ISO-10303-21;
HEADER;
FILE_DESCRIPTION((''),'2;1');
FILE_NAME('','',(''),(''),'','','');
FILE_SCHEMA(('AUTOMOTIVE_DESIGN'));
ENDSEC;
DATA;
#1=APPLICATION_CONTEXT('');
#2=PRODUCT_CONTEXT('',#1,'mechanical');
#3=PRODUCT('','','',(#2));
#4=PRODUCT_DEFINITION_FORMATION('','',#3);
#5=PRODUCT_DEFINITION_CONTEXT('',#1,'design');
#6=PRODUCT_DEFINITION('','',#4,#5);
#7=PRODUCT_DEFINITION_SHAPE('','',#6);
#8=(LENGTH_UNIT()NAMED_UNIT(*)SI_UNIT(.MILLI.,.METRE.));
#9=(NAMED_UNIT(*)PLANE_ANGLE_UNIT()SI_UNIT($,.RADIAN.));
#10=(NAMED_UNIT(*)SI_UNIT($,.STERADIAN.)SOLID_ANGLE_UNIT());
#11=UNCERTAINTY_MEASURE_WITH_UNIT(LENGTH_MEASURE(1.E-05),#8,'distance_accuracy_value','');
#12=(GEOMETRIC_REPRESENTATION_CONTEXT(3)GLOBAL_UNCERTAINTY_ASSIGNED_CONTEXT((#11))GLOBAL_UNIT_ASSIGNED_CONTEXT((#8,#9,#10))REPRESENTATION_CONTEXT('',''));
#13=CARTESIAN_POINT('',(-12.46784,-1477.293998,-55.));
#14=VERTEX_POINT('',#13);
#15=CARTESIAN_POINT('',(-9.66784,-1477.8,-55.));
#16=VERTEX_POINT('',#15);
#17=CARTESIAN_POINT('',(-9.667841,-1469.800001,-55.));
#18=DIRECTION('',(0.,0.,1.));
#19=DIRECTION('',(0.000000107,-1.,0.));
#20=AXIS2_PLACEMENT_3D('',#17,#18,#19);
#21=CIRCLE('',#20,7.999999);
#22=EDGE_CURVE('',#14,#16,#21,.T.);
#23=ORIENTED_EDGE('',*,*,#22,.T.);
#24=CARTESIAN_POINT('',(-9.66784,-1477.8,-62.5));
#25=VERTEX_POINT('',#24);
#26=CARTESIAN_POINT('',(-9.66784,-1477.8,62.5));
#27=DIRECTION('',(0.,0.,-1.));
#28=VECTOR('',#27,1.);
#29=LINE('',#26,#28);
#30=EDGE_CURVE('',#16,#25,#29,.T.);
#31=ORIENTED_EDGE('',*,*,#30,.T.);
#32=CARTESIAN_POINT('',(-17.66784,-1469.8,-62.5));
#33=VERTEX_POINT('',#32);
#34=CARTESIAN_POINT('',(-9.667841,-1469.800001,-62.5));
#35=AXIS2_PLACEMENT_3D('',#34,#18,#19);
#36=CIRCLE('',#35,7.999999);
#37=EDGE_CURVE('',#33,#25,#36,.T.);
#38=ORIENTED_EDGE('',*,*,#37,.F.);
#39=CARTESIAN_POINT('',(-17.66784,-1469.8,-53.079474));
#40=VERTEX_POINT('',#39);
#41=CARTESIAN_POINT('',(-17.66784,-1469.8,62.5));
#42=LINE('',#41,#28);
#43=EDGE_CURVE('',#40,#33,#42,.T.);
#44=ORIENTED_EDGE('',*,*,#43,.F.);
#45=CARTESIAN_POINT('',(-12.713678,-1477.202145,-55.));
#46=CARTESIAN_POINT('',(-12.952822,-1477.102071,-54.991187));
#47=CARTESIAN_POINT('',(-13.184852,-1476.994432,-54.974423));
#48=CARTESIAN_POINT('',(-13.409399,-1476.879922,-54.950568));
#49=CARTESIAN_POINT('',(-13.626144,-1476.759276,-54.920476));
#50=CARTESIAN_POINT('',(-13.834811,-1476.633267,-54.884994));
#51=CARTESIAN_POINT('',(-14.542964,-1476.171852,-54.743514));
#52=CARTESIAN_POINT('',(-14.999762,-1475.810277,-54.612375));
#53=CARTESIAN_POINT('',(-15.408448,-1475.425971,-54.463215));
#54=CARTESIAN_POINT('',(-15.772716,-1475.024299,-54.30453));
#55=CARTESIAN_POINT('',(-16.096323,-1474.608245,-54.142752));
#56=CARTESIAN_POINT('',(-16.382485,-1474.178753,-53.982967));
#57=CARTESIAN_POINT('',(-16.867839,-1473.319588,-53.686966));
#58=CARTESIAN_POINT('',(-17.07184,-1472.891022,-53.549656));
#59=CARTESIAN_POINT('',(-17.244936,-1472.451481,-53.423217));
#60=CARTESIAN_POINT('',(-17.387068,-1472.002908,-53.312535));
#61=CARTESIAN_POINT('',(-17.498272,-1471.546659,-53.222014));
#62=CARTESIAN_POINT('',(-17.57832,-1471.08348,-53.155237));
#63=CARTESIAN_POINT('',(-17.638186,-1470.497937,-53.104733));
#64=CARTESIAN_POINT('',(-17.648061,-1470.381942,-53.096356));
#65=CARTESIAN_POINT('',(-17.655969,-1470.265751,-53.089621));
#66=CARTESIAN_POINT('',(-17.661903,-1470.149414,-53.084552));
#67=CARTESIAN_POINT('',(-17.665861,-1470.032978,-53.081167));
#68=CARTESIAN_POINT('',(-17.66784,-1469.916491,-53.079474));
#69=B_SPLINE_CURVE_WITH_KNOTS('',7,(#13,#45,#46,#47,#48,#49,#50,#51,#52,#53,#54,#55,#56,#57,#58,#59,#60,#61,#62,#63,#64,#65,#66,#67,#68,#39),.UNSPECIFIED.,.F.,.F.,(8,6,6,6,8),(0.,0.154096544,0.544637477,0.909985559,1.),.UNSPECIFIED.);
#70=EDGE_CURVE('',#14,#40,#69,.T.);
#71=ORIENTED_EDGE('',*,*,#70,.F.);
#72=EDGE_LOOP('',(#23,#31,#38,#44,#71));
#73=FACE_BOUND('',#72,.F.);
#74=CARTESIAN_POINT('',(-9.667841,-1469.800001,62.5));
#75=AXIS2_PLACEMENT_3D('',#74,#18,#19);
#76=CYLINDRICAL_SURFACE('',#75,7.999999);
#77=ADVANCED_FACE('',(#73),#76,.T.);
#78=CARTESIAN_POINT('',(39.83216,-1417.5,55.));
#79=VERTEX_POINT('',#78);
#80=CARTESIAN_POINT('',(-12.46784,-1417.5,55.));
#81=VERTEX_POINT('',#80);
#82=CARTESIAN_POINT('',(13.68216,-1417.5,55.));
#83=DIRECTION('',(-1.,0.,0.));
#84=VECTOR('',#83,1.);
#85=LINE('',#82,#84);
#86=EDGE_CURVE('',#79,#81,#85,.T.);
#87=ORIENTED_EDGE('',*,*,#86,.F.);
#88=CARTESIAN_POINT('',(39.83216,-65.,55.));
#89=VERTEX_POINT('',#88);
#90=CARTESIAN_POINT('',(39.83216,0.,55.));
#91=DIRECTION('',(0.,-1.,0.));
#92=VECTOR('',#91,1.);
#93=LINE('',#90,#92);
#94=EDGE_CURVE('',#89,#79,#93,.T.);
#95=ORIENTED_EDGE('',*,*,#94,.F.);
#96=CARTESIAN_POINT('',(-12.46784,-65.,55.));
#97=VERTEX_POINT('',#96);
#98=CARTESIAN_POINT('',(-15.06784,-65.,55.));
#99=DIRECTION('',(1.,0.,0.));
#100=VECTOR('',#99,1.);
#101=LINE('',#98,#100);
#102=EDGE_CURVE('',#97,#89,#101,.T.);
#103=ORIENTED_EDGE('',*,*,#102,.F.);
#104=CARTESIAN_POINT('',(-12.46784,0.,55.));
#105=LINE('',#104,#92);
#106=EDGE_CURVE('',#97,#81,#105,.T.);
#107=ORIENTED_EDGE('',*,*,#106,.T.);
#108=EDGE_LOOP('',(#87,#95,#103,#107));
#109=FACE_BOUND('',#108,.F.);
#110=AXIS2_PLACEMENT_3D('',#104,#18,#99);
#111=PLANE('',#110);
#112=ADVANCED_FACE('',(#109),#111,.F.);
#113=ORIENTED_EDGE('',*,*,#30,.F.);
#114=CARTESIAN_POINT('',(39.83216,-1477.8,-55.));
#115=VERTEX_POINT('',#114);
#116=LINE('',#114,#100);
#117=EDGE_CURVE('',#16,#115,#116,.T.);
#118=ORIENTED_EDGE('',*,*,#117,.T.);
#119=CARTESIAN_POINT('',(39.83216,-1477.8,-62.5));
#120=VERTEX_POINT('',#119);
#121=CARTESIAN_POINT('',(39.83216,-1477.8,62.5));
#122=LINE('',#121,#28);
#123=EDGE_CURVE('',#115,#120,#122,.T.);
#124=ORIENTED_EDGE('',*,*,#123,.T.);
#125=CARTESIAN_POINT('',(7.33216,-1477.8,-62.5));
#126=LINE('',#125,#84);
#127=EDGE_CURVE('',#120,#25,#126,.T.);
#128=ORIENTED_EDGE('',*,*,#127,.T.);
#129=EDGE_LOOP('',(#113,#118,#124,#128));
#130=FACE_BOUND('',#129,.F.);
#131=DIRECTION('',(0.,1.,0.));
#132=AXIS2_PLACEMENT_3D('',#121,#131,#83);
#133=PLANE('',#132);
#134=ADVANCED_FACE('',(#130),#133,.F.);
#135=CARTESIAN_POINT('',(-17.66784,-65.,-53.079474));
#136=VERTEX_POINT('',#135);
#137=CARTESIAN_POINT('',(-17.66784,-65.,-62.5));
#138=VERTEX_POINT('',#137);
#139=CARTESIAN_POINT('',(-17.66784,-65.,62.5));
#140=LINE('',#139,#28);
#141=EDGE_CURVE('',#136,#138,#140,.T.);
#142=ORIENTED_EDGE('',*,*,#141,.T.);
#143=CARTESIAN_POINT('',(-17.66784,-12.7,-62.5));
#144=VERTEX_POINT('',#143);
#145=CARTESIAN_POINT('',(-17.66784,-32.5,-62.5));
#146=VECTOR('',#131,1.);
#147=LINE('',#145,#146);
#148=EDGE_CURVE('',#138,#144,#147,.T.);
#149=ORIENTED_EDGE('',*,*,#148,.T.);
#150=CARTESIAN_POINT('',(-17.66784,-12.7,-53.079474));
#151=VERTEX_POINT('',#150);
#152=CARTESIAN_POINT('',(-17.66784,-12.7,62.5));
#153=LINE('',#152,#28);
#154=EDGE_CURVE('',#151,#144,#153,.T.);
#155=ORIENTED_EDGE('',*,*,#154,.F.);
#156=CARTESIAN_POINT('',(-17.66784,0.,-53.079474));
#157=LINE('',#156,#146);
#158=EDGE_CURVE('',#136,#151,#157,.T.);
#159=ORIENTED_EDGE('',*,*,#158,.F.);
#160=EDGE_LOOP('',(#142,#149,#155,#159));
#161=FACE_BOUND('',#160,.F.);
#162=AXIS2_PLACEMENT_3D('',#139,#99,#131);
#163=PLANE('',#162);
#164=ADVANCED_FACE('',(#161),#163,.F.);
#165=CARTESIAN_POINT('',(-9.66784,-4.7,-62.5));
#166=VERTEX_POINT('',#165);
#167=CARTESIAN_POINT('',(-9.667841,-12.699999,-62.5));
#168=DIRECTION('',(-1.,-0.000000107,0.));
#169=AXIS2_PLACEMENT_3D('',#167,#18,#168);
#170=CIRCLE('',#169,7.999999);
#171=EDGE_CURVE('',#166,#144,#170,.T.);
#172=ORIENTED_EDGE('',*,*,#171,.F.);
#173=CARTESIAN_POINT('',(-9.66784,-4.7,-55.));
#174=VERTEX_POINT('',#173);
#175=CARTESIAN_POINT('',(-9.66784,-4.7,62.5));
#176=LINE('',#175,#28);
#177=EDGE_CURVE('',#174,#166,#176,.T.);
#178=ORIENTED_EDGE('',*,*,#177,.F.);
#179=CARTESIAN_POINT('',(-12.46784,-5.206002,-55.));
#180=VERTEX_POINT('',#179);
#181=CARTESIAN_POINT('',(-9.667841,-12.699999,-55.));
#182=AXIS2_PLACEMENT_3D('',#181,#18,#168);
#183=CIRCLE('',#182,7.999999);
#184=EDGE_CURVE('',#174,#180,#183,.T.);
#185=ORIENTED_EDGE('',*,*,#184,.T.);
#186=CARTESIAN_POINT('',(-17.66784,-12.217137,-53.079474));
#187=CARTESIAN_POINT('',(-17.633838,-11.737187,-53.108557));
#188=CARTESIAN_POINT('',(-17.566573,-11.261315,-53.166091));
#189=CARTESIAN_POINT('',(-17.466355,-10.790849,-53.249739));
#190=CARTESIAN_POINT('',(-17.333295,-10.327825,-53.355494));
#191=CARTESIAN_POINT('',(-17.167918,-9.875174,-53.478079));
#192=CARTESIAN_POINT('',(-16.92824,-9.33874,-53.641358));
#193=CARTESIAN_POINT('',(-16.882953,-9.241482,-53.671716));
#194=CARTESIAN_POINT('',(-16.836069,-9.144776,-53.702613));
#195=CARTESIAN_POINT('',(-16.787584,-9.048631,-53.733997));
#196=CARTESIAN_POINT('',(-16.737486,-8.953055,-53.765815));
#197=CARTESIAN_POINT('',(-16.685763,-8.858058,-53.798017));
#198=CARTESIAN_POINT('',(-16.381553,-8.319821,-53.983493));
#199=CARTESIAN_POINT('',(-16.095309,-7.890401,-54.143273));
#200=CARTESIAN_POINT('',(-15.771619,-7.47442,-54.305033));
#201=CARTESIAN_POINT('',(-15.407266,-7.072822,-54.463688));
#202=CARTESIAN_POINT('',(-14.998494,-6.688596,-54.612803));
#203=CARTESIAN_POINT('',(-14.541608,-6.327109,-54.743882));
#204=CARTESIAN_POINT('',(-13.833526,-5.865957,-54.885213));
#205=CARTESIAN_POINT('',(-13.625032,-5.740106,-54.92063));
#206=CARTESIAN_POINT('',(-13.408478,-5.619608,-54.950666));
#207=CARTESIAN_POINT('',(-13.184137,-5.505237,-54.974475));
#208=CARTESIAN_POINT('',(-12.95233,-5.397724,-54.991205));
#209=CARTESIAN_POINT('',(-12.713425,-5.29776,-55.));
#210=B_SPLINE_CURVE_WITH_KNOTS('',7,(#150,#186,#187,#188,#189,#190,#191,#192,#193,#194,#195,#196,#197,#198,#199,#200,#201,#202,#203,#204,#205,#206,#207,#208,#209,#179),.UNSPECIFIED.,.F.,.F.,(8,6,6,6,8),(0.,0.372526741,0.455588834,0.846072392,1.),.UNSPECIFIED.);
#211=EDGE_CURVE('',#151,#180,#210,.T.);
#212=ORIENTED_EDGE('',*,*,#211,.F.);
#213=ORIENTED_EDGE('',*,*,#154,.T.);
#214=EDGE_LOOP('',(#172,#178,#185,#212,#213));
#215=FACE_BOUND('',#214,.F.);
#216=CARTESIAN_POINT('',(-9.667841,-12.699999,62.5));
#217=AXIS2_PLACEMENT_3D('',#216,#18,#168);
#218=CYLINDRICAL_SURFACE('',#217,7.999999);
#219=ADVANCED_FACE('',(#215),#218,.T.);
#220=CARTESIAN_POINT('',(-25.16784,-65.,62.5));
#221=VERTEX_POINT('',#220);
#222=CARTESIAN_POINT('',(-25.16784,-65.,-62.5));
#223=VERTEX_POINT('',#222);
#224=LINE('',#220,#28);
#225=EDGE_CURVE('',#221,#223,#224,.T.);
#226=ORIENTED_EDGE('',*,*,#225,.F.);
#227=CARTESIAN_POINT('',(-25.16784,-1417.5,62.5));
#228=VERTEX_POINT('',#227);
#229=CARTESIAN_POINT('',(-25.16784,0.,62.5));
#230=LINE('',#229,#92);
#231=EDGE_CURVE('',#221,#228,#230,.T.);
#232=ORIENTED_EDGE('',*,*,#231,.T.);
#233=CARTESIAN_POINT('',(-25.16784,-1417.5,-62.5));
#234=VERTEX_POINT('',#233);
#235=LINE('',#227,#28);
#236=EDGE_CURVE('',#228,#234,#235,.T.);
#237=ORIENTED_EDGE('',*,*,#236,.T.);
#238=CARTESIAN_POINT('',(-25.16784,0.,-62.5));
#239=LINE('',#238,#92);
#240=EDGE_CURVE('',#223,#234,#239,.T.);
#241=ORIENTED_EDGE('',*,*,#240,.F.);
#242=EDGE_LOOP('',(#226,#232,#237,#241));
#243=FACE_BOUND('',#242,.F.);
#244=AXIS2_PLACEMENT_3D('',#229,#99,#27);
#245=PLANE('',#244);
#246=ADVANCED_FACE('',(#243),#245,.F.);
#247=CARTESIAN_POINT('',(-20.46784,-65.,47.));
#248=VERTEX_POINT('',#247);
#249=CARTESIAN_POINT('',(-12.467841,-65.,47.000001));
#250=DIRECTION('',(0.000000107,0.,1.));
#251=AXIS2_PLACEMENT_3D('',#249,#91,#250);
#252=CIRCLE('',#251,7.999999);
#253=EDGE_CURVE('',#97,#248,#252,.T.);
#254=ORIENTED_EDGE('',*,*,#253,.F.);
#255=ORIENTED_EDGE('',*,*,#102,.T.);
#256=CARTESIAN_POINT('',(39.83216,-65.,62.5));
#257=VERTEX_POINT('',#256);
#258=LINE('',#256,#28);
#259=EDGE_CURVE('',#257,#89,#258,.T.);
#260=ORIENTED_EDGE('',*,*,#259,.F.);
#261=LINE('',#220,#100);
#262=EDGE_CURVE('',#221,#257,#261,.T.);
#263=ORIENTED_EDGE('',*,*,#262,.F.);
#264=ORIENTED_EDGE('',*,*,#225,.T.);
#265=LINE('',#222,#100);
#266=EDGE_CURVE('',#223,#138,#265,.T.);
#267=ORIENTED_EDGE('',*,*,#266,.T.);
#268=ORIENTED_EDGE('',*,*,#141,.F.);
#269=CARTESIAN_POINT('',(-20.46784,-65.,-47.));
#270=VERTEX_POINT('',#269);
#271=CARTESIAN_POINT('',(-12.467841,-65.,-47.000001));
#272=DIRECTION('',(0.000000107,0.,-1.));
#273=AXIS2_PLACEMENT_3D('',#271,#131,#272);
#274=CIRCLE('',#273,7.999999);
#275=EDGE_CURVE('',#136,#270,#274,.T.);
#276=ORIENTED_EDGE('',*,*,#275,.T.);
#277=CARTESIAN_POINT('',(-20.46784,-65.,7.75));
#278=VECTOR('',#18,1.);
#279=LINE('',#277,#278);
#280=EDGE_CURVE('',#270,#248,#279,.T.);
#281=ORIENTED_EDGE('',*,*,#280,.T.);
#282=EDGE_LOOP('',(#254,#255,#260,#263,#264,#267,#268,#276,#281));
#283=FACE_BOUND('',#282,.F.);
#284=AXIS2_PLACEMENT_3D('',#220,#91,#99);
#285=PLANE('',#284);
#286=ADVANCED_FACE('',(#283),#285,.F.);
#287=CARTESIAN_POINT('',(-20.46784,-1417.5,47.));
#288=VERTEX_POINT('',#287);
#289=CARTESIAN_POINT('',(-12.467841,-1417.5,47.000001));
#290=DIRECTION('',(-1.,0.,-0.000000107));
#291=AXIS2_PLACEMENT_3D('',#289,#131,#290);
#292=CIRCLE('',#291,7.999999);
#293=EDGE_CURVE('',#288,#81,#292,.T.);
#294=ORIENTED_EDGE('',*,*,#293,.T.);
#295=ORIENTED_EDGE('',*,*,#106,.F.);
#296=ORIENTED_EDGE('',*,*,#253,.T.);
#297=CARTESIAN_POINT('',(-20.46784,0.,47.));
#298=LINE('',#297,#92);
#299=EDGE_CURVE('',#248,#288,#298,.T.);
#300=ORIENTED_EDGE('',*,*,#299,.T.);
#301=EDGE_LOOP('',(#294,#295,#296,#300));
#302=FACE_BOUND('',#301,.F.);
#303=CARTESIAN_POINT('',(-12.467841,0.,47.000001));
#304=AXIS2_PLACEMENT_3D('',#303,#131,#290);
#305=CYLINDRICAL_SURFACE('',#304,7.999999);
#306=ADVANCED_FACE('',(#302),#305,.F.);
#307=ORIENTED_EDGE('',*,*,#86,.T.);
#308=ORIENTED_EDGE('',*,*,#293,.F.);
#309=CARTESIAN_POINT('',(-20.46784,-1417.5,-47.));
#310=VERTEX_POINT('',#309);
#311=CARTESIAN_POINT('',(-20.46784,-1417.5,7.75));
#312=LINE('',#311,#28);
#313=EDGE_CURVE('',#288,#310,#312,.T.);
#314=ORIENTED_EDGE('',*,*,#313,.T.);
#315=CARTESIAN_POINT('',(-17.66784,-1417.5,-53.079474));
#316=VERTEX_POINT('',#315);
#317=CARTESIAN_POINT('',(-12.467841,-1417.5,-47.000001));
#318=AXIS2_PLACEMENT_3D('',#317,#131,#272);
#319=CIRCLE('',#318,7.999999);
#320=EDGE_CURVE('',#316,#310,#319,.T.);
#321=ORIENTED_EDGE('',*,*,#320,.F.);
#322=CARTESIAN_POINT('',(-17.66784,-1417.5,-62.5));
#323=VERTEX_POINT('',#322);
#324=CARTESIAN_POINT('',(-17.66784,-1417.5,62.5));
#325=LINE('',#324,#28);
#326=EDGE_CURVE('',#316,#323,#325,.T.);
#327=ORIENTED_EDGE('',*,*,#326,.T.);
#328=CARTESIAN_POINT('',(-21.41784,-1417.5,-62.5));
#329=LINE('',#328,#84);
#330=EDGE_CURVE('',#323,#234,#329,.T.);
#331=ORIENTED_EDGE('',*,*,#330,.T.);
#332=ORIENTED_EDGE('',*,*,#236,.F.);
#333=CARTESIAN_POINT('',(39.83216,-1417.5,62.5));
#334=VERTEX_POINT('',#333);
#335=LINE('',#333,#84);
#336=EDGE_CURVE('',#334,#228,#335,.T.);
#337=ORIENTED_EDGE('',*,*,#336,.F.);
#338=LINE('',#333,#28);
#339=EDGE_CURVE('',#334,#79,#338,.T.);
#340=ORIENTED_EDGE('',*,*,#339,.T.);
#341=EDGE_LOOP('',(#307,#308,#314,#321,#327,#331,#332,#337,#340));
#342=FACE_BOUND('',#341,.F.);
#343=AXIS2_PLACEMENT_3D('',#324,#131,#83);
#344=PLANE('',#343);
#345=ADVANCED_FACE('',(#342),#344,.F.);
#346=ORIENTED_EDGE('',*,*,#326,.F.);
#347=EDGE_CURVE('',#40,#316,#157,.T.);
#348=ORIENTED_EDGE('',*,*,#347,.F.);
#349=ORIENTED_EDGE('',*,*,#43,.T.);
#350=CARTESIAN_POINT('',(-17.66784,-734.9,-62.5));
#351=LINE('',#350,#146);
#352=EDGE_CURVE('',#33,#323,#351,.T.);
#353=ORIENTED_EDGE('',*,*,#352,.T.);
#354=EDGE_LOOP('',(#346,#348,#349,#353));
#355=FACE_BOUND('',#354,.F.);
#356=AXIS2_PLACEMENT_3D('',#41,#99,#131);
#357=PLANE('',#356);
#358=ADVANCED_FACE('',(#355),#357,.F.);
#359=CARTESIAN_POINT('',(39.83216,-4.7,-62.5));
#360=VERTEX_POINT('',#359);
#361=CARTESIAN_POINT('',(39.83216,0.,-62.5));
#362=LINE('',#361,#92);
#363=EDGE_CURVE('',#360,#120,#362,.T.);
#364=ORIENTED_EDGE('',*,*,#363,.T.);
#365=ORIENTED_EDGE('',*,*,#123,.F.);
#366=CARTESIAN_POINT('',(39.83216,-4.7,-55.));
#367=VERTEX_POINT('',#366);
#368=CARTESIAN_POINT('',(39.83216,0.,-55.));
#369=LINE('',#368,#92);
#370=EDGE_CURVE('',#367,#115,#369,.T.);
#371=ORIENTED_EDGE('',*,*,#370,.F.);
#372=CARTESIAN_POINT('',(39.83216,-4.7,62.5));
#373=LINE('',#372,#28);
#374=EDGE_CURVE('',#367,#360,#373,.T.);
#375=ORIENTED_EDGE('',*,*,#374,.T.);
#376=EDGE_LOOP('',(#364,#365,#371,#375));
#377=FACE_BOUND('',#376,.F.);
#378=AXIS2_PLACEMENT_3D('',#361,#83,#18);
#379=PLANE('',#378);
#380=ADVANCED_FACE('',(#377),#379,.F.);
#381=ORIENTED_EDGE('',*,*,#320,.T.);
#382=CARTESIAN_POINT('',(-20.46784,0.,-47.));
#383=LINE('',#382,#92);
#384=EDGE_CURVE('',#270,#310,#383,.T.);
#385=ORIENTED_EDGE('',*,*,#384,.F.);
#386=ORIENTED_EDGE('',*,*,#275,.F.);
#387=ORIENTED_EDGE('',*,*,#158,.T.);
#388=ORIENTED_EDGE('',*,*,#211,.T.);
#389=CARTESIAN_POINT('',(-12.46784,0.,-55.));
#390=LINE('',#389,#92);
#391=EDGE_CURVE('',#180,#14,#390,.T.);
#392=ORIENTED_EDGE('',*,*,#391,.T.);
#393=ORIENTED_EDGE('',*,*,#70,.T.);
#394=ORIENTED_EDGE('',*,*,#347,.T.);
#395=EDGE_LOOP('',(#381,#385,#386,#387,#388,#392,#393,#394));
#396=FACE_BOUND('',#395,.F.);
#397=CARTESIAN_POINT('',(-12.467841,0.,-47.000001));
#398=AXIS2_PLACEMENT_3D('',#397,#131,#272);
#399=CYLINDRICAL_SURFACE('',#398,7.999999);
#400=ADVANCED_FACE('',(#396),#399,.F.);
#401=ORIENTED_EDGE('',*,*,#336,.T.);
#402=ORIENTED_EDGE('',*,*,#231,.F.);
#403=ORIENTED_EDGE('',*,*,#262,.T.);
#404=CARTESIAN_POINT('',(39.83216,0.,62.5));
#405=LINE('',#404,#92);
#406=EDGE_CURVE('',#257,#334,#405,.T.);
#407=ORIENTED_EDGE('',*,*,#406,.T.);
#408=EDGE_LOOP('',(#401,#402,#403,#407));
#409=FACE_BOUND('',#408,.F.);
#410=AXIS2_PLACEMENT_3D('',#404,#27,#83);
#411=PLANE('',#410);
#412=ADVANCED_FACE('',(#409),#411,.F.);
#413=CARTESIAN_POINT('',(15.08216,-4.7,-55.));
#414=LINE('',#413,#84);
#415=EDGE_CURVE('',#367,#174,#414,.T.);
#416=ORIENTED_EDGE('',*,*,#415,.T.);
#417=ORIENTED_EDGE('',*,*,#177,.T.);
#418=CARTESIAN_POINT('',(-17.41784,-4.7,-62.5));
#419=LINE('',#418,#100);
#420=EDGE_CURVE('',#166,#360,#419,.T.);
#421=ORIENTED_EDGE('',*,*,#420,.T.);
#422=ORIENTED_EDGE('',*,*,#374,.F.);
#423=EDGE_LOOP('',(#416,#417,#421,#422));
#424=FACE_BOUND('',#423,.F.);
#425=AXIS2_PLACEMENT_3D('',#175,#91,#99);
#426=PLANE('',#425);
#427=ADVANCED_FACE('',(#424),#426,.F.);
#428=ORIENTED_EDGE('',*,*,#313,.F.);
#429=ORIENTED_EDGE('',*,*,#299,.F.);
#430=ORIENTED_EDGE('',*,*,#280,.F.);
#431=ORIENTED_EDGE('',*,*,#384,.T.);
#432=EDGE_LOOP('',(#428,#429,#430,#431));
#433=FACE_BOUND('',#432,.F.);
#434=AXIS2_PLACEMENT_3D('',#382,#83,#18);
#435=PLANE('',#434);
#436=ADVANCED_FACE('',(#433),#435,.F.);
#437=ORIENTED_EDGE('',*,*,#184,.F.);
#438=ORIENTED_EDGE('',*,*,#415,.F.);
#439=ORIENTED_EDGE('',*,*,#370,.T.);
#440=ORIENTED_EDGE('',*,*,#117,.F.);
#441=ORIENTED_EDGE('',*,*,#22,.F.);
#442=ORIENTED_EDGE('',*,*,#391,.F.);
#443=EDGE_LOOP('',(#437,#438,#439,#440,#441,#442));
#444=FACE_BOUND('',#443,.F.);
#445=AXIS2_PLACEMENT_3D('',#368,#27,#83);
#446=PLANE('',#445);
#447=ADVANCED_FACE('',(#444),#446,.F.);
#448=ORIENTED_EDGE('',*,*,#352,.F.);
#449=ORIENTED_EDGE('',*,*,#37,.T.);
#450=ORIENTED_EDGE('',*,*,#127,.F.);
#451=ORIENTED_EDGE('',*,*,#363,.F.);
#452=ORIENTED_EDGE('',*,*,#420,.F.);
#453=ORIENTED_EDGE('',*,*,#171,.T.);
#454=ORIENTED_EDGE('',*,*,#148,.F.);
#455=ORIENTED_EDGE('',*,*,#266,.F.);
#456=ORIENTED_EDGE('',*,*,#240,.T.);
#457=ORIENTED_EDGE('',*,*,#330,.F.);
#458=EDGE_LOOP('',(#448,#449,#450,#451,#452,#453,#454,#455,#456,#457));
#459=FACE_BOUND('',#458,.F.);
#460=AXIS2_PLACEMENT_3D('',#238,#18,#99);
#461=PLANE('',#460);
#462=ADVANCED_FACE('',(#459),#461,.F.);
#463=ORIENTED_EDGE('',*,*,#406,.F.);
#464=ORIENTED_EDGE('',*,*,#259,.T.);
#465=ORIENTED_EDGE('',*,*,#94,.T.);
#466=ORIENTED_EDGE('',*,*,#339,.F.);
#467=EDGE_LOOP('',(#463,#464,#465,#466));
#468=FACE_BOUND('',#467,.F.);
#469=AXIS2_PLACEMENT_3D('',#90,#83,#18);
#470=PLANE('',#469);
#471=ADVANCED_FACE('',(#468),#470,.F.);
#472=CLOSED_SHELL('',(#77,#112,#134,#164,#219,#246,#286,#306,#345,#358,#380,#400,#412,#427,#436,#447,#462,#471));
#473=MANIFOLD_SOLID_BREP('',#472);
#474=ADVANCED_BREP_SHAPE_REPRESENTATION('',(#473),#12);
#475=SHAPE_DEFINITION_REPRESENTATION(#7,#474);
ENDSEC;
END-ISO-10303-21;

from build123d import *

# Parameters (mm, degrees)
F1_DEPTH = 1482.5
F3_DEPTH = 125.001
F5_DEPTH = 10


with BuildPart() as f1:
    # F0 (on Front) → F1 (new body)
    with BuildSketch(Plane.XZ):
        with BuildLine():
            Line((-25.16784, 62.5), (-25.16784, -62.5))
            Line((-25.16784, -62.5), (39.83216, -62.5))
            Line((39.83216, -62.5), (39.83216, -55))
            Line((39.83216, -55), (-12.46784, -55))
            ThreePointArc((-12.46784, -55), (-18.124695, -52.656854), (-20.46784, -47))
            Line((-20.46784, -47), (-20.46784, 47))
            ThreePointArc((-20.46784, 47), (-18.124695, 52.656854), (-12.46784, 55))
            Line((-12.46784, 55), (39.83216, 55))
            Line((39.83216, 55), (39.83216, 62.5))
            Line((39.83216, 62.5), (-25.16784, 62.5))
        make_face()
    extrude(amount=F1_DEPTH)

    # F2 (on face) → F3 (cut, through all)
    with BuildSketch(Plane.XY.offset(62.5)):
        with BuildLine():
            Line((39.83216, 0), (-25.16784, 0))
            Line((-25.16784, 0), (-25.16784, -65))
            Line((-25.16784, -65), (-17.66784, -65))
            Line((-17.66784, -65), (-17.66784, -12.7))
            ThreePointArc((-17.66784, -12.7), (-15.324695, -7.043146), (-9.66784, -4.7))
            Line((-9.66784, -4.7), (39.83216, -4.7))
            Line((39.83216, -4.7), (39.83216, 0))
        make_face()
        with BuildLine():
            Line((-17.66784, -1417.5), (-25.16784, -1417.5))
            Line((-25.16784, -1417.5), (-25.16784, -1482.5))
            Line((-25.16784, -1482.5), (39.83216, -1482.5))
            Line((39.83216, -1482.5), (39.83216, -1477.8))
            Line((39.83216, -1477.8), (-9.66784, -1477.8))
            ThreePointArc((-9.66784, -1477.8), (-15.324695, -1475.456854), (-17.66784, -1469.8))
            Line((-17.66784, -1469.8), (-17.66784, -1417.5))
        make_face()
    extrude(amount=-F3_DEPTH, mode=Mode.SUBTRACT)

    # F4 (on face) → F5 (cut)
    with BuildSketch(Plane.XY.offset(62.5)):
        with BuildLine():
            Line((-17.66784, -65), (39.83216, -65))
            Line((39.83216, -65), (39.83216, -4.7))
            Line((39.83216, -4.7), (-9.66784, -4.7))
            ThreePointArc((-9.66784, -4.7), (-15.324695, -7.043146), (-17.66784, -12.7))
            Line((-17.66784, -12.7), (-17.66784, -65))
        make_face()
        with BuildLine():
            Line((39.83216, -1417.5), (-17.66784, -1417.5))
            Line((-17.66784, -1417.5), (-17.66784, -1469.8))
            ThreePointArc((-17.66784, -1469.8), (-15.324695, -1475.456854), (-9.66784, -1477.8))
            Line((-9.66784, -1477.8), (39.83216, -1477.8))
            Line((39.83216, -1477.8), (39.83216, -1417.5))
        make_face()
    extrude(amount=-F5_DEPTH, mode=Mode.SUBTRACT)


solid = f1.part
